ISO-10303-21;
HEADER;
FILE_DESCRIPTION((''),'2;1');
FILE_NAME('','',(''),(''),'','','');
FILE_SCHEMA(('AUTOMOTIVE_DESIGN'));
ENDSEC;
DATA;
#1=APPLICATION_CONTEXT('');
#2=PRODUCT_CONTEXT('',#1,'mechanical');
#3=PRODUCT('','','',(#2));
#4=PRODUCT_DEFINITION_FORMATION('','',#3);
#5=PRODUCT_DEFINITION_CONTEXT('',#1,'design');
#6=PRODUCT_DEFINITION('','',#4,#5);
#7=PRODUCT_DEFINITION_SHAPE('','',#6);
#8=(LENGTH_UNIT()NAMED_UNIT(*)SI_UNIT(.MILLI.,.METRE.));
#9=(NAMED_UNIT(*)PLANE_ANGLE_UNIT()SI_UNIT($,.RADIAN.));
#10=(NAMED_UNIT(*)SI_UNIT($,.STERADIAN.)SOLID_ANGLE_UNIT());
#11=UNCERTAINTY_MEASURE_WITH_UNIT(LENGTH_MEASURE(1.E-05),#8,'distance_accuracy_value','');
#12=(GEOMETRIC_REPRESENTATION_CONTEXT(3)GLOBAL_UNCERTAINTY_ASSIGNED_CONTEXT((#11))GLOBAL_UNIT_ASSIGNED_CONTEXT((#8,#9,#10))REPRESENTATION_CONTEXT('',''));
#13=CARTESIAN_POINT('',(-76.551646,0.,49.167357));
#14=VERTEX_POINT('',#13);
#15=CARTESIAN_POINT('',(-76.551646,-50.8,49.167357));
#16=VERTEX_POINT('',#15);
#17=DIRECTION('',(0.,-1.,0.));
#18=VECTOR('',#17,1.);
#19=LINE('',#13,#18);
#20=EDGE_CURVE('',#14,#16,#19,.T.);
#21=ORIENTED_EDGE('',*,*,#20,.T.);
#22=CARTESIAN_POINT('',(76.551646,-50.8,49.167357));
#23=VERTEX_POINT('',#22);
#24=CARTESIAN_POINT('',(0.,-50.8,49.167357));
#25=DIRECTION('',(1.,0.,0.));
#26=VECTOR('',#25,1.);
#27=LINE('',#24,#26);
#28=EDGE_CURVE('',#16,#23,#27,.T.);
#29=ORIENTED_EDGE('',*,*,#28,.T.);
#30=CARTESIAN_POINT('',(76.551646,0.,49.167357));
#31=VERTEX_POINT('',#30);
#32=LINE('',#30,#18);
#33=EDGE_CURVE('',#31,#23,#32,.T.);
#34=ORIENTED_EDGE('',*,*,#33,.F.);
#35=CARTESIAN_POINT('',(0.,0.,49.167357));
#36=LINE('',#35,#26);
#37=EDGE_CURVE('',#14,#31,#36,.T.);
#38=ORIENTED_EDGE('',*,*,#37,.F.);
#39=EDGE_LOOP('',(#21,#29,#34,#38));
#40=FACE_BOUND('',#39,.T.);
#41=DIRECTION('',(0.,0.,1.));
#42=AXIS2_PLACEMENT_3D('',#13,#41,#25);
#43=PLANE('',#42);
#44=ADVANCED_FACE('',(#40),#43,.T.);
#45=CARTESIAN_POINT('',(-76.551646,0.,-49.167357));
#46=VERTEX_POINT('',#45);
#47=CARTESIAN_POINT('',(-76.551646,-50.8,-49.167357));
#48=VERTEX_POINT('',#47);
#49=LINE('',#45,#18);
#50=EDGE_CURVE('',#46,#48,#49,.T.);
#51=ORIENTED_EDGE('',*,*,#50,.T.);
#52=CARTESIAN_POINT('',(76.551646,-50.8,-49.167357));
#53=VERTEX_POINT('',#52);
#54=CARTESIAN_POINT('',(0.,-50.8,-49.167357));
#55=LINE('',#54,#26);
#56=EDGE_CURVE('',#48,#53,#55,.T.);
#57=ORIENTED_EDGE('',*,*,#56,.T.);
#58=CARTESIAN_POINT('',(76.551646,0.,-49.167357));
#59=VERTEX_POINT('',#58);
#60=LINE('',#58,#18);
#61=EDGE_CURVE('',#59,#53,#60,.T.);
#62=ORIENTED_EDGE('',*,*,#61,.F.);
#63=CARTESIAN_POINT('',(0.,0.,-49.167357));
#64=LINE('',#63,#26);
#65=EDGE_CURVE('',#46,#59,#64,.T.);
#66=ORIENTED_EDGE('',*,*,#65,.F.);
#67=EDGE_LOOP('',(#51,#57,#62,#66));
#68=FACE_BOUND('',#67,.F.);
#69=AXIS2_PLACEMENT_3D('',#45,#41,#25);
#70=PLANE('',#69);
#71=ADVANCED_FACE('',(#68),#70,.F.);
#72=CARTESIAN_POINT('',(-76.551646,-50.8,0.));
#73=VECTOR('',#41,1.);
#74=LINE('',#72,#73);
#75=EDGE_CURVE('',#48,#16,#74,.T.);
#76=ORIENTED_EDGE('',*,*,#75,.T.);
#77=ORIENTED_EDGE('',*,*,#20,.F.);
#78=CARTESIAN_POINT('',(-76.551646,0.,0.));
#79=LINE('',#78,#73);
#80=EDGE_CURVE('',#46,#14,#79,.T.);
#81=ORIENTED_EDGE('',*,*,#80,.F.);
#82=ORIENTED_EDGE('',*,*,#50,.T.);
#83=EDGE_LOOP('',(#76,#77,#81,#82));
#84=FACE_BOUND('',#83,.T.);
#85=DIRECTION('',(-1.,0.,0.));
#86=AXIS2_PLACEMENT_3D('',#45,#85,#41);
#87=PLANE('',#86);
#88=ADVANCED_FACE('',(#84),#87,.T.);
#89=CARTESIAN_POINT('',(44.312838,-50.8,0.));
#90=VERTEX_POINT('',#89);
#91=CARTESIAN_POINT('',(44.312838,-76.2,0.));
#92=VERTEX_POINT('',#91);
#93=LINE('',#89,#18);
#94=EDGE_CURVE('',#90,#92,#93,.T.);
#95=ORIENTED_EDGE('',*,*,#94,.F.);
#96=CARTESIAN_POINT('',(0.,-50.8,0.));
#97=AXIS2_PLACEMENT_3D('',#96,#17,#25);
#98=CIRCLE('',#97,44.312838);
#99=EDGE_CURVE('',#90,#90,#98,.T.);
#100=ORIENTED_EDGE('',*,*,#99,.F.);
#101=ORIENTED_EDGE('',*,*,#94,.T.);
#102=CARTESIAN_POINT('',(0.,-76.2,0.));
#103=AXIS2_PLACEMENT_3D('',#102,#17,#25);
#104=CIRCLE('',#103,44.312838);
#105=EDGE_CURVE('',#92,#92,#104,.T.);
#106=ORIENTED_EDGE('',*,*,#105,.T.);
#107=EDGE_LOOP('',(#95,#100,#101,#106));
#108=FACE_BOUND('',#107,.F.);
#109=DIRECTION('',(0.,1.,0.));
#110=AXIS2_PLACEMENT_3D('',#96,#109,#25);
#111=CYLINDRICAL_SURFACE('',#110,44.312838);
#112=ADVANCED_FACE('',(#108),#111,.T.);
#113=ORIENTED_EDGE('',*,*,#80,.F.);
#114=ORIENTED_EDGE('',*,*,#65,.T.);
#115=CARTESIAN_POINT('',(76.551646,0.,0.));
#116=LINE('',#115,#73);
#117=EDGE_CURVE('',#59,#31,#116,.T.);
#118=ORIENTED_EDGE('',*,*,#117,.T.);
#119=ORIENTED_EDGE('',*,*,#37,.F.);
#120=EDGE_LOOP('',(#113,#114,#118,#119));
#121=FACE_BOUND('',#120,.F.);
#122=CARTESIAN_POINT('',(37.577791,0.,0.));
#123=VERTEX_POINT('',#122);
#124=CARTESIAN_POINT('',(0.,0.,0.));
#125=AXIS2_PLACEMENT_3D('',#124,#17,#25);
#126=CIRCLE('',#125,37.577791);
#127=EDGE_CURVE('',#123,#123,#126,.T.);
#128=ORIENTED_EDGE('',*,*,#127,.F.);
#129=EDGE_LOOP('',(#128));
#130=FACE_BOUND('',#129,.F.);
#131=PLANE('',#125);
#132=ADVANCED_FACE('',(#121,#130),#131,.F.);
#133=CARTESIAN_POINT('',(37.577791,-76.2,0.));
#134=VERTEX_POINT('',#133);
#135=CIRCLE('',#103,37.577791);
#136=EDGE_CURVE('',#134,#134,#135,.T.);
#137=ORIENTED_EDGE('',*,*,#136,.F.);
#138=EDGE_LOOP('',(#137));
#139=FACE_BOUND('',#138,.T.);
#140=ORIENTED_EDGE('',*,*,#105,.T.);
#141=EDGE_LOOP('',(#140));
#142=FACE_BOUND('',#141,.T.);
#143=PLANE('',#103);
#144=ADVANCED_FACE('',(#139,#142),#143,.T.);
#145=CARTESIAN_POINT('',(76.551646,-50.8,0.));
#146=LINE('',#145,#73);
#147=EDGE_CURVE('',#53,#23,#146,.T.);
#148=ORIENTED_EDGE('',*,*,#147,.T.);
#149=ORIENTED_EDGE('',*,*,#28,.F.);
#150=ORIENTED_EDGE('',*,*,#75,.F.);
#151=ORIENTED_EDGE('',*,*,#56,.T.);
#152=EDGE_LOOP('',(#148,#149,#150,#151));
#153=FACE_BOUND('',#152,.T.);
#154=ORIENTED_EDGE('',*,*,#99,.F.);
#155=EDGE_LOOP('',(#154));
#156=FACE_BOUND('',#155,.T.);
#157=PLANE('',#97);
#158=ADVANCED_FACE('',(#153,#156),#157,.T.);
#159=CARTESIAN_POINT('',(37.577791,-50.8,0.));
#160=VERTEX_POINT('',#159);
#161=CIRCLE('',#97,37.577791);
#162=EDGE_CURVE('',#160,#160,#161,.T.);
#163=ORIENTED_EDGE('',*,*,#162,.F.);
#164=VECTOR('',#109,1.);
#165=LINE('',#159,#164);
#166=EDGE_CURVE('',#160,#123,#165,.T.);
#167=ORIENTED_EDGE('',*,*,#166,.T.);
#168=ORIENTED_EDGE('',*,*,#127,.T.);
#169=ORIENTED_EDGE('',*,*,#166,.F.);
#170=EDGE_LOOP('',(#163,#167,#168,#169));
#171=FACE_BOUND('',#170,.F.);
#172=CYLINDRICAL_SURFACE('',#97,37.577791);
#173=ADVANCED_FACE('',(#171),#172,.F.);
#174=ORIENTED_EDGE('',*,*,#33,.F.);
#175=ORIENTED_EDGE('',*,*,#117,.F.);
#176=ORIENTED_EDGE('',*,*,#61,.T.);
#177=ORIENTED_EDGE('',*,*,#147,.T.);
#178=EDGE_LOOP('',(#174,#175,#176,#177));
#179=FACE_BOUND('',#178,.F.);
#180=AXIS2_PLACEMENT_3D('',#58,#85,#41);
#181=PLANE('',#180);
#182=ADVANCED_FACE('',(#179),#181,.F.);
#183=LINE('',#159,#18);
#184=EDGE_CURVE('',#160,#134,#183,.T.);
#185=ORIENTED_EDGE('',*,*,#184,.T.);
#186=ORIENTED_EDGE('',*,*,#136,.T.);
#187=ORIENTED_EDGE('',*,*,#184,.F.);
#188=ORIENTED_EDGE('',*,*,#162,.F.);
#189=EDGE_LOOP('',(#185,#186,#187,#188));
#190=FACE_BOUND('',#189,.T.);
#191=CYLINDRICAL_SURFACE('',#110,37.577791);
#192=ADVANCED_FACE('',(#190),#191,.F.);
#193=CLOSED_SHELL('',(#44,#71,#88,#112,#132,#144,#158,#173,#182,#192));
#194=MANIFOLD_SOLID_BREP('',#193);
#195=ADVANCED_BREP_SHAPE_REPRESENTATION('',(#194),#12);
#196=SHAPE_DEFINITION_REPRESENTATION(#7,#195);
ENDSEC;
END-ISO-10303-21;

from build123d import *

# Parameters (mm, degrees)
F0_W      = 153.103292
F0_H      = 98.334714
F1_DEPTH  = 50.8
F2_R      = 44.312838
F2_R_2    = 37.577791
F3_DEPTH  = 25.4
F3_FACE_R = 37.577791
F4_DEPTH  = 76.2


with BuildPart() as f1:
    # F0 (on Front) → F1 (new body)
    with BuildSketch(Plane.XZ):
        Rectangle(F0_W, F0_H)
    extrude(amount=F1_DEPTH)

    # F2 (on face) → F3 (join)
    with BuildSketch(Plane.XZ.offset(50.8)):
        Circle(F2_R)
        Circle(F2_R_2, mode=Mode.SUBTRACT)
    extrude(amount=F3_DEPTH)

    # F3_face (on face) → F4 (cut)
    with BuildSketch(Plane.XZ.offset(50.8)):
        Circle(F3_FACE_R)
    extrude(amount=-F4_DEPTH, mode=Mode.SUBTRACT)


solid = f1.part
